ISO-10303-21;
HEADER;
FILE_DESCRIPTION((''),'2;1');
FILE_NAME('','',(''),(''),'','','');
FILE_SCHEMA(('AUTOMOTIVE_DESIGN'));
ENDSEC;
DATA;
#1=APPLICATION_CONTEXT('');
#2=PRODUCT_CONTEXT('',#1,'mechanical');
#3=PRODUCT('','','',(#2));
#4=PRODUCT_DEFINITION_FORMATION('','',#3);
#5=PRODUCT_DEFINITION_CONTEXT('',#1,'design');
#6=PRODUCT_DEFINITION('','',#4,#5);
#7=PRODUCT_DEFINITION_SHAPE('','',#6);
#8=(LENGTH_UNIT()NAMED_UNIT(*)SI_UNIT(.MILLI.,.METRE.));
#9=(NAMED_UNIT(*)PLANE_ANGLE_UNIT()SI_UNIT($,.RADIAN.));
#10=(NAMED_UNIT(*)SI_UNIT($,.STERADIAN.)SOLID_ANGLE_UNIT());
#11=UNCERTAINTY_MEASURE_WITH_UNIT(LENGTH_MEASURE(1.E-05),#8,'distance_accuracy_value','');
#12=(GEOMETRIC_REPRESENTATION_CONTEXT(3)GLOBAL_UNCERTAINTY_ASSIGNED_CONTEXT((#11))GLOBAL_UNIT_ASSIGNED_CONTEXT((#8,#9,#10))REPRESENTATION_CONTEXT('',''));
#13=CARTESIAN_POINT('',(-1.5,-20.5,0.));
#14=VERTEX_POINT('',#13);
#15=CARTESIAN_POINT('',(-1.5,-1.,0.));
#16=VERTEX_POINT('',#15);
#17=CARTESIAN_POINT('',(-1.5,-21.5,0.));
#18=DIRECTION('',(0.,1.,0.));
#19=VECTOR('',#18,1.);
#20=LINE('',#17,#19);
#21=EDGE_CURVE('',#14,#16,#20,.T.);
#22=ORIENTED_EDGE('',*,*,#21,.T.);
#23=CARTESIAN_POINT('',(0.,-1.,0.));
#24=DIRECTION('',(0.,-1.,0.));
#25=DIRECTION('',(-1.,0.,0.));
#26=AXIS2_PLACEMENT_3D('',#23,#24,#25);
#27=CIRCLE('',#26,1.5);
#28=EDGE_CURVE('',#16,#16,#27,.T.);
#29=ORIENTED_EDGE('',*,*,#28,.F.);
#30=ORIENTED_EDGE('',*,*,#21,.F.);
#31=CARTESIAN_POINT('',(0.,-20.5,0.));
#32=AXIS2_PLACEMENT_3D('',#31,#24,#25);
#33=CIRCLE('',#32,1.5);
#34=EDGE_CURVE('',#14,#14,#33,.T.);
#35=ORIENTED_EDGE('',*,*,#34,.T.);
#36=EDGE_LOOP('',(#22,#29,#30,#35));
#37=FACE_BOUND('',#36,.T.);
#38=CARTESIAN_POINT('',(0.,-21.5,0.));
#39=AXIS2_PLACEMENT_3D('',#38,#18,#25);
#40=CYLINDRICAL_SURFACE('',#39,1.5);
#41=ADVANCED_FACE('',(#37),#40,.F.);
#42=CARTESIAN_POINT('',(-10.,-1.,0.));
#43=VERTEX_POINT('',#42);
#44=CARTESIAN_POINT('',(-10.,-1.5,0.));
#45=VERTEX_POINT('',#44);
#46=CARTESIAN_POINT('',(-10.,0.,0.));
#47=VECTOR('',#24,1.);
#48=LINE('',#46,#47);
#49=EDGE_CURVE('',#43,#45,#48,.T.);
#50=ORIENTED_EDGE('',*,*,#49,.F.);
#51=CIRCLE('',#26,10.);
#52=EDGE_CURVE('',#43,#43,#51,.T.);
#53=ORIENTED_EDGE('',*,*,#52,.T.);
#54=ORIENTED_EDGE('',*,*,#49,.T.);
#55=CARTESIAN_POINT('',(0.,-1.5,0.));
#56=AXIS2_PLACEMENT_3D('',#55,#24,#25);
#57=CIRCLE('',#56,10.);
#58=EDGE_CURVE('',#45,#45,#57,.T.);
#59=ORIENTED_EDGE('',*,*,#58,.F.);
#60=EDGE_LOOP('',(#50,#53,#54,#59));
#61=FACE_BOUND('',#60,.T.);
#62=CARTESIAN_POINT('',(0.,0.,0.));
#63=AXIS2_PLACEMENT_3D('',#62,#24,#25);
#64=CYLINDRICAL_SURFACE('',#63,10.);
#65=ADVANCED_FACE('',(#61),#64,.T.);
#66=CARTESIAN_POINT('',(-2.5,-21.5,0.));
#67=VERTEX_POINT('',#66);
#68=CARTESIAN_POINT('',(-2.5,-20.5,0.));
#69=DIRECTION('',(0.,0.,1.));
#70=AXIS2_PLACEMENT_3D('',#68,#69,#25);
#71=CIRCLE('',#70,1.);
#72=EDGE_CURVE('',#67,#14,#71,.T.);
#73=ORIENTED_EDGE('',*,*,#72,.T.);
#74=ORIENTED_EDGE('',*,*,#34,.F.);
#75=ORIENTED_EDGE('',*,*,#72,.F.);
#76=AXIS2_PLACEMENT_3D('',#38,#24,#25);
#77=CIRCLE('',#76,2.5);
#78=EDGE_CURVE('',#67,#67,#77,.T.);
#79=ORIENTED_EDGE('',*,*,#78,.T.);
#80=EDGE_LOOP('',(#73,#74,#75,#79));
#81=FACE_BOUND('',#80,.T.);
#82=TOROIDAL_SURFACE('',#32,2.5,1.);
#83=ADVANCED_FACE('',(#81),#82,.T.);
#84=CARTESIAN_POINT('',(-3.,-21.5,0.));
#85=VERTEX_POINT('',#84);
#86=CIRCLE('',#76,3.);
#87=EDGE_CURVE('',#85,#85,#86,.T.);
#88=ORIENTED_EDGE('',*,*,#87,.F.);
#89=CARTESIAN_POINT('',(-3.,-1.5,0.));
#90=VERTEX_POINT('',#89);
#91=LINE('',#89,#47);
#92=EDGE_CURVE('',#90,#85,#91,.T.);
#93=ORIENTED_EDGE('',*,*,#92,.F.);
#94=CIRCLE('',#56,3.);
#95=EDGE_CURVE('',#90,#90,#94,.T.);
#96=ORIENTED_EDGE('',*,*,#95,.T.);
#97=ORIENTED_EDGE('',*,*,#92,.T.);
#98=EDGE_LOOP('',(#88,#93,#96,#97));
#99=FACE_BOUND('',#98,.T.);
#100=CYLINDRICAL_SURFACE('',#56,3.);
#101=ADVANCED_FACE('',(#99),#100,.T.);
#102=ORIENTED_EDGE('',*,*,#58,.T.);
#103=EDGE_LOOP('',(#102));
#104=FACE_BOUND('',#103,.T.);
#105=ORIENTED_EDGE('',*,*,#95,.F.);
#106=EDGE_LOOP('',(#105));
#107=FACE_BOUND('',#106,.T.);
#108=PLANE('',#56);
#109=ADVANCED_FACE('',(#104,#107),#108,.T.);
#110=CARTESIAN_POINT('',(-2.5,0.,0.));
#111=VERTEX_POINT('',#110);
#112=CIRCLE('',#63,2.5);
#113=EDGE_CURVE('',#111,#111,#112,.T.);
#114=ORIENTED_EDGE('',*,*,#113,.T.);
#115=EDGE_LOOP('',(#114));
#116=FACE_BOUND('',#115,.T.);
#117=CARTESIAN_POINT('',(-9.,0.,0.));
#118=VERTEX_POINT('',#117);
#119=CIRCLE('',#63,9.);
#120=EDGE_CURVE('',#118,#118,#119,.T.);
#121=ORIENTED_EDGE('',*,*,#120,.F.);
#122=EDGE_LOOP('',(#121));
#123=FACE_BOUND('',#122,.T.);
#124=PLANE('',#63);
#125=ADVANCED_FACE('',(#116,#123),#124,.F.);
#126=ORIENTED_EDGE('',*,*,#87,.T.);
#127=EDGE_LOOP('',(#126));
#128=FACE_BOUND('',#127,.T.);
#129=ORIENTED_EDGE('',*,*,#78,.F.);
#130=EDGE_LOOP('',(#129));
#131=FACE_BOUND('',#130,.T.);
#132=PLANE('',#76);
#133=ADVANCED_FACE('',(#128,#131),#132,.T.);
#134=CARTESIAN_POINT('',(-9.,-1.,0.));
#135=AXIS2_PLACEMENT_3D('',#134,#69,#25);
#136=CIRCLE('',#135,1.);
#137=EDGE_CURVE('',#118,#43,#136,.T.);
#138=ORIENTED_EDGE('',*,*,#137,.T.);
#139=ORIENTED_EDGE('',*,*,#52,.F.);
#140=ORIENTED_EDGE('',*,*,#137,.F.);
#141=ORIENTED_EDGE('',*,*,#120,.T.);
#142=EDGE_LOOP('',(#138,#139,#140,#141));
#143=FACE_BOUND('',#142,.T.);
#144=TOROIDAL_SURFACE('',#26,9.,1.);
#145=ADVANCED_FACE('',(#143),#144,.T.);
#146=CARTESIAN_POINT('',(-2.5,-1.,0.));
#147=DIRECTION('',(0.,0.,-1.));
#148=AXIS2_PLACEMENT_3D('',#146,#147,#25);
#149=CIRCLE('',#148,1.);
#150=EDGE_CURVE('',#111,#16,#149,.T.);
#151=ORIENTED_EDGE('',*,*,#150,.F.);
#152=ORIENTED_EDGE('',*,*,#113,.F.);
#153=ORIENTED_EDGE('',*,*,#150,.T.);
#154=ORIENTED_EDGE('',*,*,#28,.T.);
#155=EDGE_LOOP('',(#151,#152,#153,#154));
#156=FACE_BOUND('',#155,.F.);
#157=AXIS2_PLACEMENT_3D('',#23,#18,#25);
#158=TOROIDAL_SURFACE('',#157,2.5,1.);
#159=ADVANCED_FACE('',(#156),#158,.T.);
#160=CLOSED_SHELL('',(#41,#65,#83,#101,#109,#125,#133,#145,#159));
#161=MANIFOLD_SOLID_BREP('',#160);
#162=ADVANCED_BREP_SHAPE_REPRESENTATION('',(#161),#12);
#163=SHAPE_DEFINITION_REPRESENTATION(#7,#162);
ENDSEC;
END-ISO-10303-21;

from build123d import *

# Parameters (mm, degrees)
F2_R = 1


with BuildPart() as f1:
    # F0 (on Top) → F1 (revolve)
    with BuildSketch(Plane.XY):
        Polygon((-1.5, 0), (-10, 0), (-10, -1.5), (-3, -1.5), (-3, -21.5), (-1.5, -21.5), align=None)
    revolve(axis=Axis((0, -2.739727, 0), (0, -1, 0)))

    # F2
    f2_edges = [f1.edges().sort_by_distance(p)[0] for p in [
        (1.5, 0, 0),
        (10, 0, 0),
        (1.5, -21.5, 0),
    ]]
    fillet(f2_edges, radius=F2_R)


solid = f1.part
